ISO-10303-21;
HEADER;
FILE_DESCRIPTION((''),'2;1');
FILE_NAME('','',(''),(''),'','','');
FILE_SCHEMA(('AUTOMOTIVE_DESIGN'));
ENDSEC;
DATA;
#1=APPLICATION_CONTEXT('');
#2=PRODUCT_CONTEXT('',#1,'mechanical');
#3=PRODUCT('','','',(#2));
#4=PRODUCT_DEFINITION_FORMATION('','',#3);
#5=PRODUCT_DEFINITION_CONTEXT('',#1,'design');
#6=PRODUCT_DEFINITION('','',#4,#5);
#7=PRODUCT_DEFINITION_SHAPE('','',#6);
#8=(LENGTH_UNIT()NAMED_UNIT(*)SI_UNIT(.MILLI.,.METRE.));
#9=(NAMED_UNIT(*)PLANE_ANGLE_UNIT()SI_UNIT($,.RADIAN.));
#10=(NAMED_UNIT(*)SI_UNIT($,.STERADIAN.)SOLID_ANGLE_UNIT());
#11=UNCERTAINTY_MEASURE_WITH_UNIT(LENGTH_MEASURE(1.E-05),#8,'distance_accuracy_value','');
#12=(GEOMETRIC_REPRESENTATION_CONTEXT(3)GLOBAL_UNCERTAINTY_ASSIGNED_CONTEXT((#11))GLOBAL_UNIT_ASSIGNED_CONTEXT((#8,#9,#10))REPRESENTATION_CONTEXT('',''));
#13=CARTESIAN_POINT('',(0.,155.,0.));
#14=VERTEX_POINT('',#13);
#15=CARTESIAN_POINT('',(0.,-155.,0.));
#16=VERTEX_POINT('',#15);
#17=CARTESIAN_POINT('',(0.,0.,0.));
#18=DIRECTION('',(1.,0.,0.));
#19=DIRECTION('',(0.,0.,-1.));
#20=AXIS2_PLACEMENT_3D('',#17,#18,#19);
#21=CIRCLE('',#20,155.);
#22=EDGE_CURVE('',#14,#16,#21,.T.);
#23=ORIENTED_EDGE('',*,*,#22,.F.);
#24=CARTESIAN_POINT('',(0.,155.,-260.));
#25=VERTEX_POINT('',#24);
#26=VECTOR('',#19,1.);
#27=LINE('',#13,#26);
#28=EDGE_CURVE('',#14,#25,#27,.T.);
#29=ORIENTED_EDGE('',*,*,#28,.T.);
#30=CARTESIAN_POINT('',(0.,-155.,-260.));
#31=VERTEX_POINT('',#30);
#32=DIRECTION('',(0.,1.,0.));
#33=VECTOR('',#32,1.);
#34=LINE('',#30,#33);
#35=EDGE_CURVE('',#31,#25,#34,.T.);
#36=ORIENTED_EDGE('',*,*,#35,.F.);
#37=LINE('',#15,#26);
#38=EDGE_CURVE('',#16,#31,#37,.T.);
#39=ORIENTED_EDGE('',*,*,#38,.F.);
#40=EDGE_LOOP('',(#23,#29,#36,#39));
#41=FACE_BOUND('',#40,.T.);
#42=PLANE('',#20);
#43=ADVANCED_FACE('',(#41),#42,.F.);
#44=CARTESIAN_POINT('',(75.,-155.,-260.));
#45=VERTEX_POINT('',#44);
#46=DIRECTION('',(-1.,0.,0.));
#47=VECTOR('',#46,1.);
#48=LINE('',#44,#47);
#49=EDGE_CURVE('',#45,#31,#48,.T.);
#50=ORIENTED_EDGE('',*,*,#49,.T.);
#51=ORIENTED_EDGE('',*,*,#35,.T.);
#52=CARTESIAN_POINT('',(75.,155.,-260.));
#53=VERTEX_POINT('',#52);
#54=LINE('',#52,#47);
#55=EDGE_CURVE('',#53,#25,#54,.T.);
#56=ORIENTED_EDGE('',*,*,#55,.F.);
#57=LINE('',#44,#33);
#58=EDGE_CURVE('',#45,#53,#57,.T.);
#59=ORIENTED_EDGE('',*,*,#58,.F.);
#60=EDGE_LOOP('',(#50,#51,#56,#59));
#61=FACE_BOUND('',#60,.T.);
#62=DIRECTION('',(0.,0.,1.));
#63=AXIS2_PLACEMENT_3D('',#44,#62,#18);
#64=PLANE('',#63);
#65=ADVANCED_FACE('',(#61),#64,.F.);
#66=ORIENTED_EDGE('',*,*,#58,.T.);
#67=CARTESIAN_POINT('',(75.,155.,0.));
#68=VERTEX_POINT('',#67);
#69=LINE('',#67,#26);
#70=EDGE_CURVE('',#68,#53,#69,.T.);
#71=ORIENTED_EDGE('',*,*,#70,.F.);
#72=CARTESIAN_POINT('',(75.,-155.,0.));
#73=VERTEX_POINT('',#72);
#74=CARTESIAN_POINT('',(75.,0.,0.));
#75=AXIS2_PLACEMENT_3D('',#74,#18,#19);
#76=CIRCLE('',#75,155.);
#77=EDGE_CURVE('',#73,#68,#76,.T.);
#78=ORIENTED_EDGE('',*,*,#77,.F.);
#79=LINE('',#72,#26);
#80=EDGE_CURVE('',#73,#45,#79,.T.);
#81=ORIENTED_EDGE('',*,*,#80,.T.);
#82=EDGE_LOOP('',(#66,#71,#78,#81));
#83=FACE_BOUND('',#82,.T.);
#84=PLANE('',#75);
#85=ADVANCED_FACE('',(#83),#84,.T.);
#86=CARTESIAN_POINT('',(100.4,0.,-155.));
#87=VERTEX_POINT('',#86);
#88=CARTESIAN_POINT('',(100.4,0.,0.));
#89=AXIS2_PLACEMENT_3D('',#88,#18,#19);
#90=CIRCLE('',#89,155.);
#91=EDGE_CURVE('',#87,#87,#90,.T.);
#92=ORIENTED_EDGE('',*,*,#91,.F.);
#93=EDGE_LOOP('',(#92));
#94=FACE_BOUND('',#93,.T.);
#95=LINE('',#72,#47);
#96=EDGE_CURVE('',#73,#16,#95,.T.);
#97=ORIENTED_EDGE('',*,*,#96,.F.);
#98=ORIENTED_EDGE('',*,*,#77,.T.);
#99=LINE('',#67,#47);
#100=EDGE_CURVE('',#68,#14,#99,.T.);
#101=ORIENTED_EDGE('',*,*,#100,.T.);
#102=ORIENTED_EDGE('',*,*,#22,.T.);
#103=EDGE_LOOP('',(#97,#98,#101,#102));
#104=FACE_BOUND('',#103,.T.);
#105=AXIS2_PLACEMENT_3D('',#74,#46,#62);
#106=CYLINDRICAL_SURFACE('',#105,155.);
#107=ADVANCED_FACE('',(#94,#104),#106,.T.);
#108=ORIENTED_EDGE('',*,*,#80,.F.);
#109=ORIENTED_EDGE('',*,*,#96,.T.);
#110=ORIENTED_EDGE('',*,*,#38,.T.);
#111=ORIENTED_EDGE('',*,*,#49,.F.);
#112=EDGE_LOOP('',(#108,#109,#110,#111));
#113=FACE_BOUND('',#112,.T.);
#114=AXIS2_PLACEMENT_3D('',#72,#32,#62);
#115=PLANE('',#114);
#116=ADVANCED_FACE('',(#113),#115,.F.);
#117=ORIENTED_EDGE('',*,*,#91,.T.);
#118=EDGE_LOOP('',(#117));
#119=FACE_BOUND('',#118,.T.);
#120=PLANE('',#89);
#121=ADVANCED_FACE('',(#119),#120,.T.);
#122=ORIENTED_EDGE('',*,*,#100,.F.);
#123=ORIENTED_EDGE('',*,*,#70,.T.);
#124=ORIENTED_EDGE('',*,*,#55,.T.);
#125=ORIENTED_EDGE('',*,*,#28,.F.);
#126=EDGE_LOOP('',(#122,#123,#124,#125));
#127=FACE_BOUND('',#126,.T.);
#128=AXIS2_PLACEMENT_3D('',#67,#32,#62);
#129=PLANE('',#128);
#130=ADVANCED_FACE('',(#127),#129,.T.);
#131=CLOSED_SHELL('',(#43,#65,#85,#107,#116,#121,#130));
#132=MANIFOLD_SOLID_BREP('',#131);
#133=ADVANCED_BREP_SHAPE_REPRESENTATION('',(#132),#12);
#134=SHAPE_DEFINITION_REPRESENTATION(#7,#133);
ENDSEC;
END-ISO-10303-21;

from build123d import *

# Parameters (mm, degrees)
BOSS_EXTRUDE1_DEPTH = 75
SKETCH2_R           = 155
BOSS_EXTRUDE2_DEPTH = 25.4


with BuildPart() as part:
    # Sketch1 → Boss-Extrude1 (new body)
    with BuildSketch(Plane.YZ):
        with BuildLine():
            Line((-155, 0), (-155, -260))
            Line((-155, -260), (155, -260))
            Line((155, -260), (155, 0))
            ThreePointArc((155, 0), (0, 155), (-155, 0))
        make_face()
    extrude(amount=BOSS_EXTRUDE1_DEPTH)

    # Sketch2 → Boss-Extrude2 (add)
    with BuildSketch(Plane(origin=(75, 0, 0), x_dir=(0, 0, -1), z_dir=(1, 0, 0))):
        with Locations(Location((0, 0, 0), (0, 0, 270))):
            Circle(SKETCH2_R)
    extrude(amount=BOSS_EXTRUDE2_DEPTH)


solid = part.part
